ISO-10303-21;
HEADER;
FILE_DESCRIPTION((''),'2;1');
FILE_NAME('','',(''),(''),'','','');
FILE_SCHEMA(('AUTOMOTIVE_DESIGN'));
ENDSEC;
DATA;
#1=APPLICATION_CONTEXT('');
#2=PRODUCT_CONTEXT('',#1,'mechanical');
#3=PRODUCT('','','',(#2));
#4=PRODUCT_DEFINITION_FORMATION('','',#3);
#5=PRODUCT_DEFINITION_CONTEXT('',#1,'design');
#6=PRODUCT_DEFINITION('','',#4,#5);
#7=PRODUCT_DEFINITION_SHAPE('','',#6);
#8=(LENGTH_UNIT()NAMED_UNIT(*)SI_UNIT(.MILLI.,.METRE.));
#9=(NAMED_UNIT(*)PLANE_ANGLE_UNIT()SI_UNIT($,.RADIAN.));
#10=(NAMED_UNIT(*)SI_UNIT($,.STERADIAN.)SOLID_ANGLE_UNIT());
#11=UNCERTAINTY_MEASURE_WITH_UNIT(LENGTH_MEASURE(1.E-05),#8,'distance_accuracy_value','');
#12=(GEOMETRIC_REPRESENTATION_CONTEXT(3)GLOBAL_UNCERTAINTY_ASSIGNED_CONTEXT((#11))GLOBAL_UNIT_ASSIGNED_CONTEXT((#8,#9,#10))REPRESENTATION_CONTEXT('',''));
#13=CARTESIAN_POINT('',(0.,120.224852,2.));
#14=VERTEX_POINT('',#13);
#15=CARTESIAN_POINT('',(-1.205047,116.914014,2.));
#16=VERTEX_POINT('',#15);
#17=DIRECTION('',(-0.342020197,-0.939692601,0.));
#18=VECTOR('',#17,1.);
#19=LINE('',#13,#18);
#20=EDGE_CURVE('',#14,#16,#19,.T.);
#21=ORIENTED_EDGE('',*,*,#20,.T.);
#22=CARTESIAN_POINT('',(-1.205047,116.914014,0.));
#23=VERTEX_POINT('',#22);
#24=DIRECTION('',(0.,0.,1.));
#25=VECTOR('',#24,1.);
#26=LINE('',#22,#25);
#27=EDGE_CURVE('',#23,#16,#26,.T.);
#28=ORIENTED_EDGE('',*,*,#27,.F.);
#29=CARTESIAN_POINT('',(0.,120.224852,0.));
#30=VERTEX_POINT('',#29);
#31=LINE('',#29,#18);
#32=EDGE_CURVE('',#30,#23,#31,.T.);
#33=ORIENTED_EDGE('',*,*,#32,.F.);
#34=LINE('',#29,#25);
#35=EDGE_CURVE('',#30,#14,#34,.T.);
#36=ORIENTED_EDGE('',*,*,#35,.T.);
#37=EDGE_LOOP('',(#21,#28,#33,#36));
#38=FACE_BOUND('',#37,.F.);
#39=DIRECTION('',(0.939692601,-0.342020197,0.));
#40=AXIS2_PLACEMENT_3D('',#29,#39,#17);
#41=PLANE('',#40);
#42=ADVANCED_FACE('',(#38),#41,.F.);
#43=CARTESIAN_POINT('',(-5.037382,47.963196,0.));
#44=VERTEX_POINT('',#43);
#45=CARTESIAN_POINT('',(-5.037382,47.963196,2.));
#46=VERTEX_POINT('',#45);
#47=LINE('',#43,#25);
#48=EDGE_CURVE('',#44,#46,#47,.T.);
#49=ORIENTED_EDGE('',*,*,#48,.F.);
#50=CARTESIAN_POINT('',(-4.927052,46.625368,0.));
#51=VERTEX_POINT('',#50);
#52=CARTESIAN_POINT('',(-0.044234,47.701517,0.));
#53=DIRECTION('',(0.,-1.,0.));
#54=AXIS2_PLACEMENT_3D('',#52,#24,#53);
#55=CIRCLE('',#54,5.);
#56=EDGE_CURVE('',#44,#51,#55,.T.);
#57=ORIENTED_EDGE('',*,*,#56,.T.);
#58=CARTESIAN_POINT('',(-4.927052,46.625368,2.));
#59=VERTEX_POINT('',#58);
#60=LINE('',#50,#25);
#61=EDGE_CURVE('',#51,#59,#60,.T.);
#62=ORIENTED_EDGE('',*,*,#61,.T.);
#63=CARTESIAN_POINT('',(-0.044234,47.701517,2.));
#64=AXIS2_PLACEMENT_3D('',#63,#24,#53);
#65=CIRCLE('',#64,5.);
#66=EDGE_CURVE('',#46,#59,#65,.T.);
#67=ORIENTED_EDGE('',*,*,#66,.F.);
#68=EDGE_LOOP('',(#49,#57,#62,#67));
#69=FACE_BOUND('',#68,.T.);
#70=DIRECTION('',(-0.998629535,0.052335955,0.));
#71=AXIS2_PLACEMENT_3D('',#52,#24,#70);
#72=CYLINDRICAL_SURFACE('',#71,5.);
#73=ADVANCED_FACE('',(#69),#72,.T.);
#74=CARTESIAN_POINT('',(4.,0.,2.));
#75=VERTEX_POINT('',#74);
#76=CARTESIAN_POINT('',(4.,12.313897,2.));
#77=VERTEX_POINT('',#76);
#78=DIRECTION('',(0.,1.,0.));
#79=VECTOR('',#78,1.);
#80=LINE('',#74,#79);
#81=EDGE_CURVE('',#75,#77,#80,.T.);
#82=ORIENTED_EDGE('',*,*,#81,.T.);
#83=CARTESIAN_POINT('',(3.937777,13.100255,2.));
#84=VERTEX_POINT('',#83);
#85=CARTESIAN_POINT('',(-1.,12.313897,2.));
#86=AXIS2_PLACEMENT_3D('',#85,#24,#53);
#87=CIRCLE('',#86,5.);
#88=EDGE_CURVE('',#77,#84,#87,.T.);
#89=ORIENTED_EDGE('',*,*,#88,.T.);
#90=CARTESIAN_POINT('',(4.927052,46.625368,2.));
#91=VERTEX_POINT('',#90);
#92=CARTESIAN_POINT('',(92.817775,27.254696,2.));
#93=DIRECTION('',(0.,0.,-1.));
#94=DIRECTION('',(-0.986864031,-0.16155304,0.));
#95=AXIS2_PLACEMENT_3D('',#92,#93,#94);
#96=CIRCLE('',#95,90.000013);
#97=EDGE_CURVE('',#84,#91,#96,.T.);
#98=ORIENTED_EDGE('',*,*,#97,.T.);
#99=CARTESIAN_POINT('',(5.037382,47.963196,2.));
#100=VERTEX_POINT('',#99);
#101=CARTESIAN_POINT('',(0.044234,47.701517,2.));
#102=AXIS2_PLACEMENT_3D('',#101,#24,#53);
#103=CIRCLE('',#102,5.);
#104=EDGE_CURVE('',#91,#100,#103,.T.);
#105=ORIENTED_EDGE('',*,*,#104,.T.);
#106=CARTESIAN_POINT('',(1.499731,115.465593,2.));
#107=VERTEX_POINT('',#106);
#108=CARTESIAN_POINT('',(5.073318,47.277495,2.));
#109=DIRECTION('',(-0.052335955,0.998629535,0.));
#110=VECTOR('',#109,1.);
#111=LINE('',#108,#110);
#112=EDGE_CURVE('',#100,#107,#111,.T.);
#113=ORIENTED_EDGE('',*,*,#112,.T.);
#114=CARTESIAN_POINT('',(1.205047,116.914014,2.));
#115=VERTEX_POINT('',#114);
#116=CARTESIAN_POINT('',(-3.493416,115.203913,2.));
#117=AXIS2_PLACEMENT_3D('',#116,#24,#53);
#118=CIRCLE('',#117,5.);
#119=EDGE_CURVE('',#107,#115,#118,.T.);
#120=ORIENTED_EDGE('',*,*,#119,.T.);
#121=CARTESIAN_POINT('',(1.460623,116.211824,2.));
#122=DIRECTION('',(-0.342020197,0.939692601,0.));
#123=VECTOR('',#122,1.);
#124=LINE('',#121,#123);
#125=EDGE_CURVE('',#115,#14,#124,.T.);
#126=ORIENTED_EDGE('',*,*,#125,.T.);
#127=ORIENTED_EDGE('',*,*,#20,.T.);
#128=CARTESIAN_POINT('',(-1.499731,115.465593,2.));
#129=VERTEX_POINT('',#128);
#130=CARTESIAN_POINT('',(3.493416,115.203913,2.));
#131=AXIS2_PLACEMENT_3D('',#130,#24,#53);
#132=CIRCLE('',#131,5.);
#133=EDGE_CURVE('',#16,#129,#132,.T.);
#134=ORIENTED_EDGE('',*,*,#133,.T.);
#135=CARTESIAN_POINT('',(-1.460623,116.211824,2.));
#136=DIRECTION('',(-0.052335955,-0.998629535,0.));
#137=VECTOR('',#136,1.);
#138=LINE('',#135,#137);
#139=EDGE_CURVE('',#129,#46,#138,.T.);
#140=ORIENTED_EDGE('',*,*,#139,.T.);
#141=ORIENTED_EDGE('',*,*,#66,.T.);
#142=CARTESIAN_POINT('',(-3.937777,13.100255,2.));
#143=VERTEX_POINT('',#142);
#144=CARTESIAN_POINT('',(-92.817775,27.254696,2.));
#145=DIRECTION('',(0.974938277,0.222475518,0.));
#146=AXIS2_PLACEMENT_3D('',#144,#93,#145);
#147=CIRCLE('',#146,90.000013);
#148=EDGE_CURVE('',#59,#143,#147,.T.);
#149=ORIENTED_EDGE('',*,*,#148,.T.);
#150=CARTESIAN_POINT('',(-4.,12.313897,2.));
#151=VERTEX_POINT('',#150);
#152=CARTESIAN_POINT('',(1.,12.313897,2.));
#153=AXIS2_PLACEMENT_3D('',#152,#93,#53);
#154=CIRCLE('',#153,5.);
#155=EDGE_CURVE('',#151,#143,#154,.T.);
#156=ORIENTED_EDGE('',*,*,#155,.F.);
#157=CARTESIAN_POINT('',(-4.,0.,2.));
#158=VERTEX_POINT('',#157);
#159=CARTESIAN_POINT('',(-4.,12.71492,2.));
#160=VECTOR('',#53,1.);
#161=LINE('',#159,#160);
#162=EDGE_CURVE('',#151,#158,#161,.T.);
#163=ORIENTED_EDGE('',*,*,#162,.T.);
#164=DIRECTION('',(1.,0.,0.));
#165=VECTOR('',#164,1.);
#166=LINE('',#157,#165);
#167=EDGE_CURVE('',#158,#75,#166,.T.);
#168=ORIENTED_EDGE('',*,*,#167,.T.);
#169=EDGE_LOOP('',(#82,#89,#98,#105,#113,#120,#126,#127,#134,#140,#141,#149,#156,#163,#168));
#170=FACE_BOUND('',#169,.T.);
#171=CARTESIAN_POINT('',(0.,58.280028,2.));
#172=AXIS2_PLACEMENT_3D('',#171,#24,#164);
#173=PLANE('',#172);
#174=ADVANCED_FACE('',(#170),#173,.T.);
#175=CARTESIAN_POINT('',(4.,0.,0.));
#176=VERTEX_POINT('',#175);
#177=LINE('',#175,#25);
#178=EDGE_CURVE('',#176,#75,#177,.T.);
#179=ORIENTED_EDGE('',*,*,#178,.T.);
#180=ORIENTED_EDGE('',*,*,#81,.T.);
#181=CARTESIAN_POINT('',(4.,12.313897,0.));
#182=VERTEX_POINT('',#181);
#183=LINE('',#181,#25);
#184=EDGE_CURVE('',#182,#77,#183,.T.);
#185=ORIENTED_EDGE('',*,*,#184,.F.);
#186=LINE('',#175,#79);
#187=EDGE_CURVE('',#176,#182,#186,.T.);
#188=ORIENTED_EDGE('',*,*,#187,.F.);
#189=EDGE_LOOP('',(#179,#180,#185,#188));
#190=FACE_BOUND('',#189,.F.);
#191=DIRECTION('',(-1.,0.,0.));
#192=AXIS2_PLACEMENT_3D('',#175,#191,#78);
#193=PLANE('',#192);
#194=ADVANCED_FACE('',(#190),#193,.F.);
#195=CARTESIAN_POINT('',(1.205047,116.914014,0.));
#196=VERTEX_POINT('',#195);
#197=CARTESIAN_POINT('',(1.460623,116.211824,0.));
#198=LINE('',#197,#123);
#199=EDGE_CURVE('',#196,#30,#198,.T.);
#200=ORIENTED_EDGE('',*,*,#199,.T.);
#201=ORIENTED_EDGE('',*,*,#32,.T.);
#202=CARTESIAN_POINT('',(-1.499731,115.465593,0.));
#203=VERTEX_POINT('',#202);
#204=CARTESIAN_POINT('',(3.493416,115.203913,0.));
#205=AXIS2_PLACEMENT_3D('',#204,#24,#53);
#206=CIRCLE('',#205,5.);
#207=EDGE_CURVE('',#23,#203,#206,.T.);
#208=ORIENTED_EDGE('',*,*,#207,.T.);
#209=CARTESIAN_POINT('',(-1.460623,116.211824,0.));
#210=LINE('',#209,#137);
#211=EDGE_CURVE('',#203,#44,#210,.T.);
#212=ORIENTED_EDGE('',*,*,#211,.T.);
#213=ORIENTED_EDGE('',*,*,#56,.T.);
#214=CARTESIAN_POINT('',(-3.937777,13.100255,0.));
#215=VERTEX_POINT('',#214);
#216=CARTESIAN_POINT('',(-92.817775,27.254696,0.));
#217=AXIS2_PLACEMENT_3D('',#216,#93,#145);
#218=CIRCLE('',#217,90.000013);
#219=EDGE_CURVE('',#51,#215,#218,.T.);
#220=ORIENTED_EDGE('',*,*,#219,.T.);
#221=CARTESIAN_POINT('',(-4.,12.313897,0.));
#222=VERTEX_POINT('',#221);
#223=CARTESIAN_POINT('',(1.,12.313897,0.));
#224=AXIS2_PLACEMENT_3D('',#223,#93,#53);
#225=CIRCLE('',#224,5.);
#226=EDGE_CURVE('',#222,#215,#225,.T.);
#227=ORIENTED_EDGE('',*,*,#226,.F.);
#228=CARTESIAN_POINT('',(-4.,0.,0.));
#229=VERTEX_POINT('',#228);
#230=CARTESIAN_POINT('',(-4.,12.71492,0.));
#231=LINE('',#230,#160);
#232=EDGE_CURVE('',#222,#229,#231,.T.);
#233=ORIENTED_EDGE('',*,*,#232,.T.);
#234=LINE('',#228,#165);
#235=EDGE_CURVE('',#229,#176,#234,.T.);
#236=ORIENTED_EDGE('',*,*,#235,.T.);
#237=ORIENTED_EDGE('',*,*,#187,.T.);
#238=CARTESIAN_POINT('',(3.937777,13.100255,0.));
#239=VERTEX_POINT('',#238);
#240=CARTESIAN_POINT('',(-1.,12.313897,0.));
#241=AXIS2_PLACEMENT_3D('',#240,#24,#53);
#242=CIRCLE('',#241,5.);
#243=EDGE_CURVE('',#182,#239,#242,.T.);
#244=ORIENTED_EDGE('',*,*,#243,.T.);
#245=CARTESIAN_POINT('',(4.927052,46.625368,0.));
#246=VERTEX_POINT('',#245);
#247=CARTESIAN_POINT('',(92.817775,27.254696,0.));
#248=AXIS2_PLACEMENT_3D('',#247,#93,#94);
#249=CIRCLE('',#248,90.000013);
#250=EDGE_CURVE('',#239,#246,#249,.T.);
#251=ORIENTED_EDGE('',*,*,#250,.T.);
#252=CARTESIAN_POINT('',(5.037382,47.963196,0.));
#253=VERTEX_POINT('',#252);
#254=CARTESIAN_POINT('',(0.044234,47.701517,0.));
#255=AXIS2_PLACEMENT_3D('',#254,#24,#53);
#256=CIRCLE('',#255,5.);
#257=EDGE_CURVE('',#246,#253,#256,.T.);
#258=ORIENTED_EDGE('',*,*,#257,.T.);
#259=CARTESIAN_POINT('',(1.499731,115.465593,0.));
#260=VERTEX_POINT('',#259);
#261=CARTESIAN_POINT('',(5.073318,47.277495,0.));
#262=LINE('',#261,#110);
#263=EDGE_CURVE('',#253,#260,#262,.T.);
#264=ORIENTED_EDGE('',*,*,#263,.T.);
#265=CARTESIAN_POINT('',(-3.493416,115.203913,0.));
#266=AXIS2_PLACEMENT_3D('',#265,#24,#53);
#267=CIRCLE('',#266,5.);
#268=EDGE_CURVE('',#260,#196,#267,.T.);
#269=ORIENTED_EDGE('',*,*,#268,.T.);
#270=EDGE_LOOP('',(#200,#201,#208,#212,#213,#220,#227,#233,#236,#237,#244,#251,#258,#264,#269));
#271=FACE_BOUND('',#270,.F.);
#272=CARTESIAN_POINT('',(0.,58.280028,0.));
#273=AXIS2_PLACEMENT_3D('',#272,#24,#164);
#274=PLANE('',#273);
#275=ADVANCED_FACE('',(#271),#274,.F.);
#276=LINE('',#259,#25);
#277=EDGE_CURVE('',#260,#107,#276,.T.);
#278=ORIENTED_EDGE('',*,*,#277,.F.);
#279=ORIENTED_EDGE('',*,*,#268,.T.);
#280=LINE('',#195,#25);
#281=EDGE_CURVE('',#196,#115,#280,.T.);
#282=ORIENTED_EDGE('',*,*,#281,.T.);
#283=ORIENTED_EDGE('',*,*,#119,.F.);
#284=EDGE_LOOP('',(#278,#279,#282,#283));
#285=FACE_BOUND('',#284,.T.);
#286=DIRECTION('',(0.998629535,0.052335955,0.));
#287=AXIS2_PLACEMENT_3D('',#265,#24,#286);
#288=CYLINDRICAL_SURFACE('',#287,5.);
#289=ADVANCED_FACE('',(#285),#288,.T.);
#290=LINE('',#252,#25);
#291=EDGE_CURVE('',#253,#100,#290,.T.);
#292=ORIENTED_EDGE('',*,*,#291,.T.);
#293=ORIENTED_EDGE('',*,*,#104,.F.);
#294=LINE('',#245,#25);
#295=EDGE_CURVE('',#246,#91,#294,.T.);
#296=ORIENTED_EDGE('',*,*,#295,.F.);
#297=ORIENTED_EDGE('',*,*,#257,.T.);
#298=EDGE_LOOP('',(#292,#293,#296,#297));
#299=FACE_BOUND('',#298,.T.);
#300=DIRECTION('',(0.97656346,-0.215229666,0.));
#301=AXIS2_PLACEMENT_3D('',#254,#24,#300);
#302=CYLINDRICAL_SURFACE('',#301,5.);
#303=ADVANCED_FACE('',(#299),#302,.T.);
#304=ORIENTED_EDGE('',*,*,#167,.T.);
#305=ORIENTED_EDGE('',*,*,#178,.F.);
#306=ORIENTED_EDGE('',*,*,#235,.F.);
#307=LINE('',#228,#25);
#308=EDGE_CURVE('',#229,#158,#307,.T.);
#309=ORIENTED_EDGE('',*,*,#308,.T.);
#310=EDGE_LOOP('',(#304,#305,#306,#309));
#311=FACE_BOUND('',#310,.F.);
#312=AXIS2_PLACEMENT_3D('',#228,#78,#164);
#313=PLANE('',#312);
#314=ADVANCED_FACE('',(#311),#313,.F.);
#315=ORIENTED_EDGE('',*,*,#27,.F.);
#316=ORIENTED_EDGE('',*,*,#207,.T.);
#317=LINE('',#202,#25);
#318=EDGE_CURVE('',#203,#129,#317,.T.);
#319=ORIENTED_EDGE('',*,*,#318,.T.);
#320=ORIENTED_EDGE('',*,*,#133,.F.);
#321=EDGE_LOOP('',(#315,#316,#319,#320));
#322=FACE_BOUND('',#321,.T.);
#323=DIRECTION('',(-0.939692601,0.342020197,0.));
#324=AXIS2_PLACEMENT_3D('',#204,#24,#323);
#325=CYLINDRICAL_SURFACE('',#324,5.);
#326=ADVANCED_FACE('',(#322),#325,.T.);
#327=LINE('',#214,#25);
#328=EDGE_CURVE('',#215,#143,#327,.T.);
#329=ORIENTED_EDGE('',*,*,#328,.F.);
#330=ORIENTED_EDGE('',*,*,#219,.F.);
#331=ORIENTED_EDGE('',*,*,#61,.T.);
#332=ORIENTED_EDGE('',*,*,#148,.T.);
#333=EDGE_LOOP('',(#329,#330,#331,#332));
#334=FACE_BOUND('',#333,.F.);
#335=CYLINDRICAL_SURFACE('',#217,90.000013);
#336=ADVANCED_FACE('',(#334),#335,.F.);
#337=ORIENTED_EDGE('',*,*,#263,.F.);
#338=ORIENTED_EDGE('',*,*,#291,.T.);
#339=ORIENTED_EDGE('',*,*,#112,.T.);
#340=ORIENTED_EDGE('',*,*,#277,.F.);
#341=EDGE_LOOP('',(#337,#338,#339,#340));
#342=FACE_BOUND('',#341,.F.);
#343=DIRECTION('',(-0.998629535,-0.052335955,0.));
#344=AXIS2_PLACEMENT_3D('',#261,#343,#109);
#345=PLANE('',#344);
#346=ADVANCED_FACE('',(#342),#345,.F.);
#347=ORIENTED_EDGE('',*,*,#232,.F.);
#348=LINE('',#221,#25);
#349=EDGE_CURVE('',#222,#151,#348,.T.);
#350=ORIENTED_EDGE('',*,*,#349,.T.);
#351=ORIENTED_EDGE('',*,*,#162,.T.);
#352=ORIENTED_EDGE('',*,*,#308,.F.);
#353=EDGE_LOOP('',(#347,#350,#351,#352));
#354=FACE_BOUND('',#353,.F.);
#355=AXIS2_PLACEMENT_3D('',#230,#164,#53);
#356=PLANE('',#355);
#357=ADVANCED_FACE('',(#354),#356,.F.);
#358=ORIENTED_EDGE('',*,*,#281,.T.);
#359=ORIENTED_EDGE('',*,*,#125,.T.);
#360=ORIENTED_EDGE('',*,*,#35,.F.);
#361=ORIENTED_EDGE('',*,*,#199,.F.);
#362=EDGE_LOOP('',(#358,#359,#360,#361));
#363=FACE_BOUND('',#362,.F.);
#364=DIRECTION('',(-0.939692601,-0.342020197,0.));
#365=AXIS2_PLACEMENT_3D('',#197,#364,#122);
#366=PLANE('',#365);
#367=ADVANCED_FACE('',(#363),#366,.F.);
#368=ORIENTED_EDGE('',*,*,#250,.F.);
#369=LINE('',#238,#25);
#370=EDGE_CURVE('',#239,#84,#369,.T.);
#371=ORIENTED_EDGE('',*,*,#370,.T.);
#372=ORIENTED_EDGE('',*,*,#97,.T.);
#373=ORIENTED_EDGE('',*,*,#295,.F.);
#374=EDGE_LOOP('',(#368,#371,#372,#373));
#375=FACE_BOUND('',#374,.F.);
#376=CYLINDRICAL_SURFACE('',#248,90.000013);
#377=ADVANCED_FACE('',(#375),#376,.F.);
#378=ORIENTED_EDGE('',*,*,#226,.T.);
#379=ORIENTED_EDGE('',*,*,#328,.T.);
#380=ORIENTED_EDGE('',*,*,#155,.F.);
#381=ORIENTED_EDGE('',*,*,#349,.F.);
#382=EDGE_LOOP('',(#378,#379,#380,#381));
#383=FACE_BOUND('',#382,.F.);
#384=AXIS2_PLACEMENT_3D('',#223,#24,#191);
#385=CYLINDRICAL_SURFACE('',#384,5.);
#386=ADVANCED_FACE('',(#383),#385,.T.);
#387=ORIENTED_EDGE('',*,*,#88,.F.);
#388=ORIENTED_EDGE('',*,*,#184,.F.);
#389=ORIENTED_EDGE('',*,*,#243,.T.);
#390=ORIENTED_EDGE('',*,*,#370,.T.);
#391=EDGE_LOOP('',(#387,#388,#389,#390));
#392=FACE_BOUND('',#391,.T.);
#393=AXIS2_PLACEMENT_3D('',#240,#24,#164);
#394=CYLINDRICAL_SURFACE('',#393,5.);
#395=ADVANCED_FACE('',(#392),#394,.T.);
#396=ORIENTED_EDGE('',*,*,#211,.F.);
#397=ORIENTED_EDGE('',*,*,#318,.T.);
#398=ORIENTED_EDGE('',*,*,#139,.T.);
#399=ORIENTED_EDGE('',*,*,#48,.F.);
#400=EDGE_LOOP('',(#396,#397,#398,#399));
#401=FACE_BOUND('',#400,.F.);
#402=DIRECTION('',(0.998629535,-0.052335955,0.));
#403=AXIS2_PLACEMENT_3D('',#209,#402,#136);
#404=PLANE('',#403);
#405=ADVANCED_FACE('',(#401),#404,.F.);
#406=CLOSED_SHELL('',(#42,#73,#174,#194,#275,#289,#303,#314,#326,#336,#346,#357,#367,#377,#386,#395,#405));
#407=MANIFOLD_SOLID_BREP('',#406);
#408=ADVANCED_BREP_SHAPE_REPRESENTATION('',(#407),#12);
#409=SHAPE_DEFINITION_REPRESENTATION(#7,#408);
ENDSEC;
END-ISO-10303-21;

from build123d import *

# Parameters (mm, degrees)
F1_DEPTH = 2
F2_R     = 5


with BuildPart() as f1:
    # F0 (on Top) → F1 (new body)
    with BuildSketch(Plane.XY):
        with BuildLine():
            Line((-4, 12.71492), (-4, 0))
            Line((-4, 0), (0, 0))
            Line((0, 0), (4, 0))
            Line((4, 0), (4, 12.71492))
            ThreePointArc((4, 12.71492), (2.861128, 30.04824), (5.073318, 47.277495))
            Line((5.073318, 47.277495), (1.460623, 116.211824))
            Line((1.460623, 116.211824), (0, 120.224852))
            Line((0, 120.224852), (-1.460623, 116.211824))
            Line((-1.460623, 116.211824), (-5.073318, 47.277495))
            ThreePointArc((-5.073318, 47.277495), (-2.861128, 30.04824), (-4, 12.71492))
        make_face()
    extrude(amount=F1_DEPTH)

    # F2
    f2_edges = [f1.edges().sort_by_distance(p)[0] for p in [
        (-1.460623, 116.211824, 1),
        (1.460623, 116.211824, 1),
        (5.073318, 47.277495, 1),
        (-5.073318, 47.277495, 1),
        (-4, 12.71492, 1),
        (4, 12.71492, 1),
    ]]
    fillet(f2_edges, radius=F2_R)


solid = f1.part
